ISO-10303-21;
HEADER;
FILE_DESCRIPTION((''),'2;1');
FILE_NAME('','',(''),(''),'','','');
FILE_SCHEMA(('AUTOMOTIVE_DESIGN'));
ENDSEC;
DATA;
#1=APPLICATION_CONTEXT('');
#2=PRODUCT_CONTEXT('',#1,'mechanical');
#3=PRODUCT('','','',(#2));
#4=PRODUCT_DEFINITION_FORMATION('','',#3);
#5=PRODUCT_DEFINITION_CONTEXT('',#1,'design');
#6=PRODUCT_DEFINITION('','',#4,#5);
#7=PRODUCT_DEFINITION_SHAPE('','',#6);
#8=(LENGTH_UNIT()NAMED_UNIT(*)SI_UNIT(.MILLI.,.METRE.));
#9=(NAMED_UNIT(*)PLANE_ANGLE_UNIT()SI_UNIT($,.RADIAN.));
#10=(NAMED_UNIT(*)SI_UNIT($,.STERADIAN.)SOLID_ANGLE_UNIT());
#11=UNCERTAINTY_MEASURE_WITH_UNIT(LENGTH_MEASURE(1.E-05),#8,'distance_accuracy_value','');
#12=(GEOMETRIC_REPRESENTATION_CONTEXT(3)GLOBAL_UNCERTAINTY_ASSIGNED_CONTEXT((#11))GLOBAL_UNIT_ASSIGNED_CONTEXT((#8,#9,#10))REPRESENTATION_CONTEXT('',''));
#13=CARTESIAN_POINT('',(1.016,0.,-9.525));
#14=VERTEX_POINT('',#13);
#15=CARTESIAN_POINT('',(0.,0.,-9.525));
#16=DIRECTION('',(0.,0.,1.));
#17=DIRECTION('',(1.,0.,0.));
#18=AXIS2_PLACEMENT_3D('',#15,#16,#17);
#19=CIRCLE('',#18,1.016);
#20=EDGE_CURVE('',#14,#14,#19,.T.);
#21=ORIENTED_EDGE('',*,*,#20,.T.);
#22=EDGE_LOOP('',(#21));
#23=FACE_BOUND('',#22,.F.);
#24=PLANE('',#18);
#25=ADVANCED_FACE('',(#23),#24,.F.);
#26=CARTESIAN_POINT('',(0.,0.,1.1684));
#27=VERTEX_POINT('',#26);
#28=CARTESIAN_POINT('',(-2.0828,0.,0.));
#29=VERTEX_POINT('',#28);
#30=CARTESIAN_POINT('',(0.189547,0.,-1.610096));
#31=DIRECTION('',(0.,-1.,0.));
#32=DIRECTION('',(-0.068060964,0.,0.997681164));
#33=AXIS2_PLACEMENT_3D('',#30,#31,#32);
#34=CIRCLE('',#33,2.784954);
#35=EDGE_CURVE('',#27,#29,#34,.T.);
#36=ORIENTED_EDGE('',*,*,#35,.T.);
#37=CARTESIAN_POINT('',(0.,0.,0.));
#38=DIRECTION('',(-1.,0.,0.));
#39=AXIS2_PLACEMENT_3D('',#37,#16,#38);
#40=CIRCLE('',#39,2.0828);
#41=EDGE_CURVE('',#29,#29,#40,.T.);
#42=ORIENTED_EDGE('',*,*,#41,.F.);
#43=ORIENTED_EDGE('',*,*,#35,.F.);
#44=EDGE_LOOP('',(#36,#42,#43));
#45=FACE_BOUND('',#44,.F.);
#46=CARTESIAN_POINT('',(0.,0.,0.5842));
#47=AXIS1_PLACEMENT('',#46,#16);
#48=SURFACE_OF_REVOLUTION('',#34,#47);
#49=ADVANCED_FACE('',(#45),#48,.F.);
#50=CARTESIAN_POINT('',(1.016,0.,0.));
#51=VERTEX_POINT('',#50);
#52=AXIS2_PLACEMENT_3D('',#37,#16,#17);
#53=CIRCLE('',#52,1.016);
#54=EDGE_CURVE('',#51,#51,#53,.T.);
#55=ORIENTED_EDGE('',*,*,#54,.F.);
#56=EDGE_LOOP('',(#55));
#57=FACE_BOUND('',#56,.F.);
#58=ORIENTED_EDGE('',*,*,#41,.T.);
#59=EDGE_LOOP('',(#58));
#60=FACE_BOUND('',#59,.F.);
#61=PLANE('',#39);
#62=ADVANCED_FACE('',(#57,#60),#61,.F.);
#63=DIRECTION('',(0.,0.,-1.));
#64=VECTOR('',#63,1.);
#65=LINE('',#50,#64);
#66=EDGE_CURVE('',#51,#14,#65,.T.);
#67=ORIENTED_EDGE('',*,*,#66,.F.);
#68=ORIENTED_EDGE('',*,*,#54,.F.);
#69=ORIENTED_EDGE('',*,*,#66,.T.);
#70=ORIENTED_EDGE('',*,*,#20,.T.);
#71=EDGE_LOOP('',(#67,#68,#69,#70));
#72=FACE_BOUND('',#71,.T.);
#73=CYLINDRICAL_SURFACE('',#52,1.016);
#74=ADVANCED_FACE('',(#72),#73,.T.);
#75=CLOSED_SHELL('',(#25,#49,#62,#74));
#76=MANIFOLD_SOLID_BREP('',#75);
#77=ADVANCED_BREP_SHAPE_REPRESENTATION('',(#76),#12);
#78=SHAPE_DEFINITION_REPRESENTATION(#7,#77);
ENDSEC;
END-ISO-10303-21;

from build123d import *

# Parameters (mm, degrees)
F0_R     = 1.016
F1_DEPTH = 9.525


with BuildPart() as f1:
    # F0 (on Top) → F1 (new body)
    with BuildSketch(Plane.XY):
        Circle(F0_R)
    extrude(amount=-F1_DEPTH)

    # F2 (on Front) → F3 (revolve)
    with BuildSketch(Plane.XZ):
        with BuildLine():
            Line((-2.0828, 0), (0, 0))
            Line((0, 0), (0, 1.1684))
            ThreePointArc((0, 1.1684), (-1.172995, 0.818782), (-2.0828, 0))
        make_face()
    revolve(axis=Axis((0, 0, 0.5842), (0, 0, 1)))


solid = f1.part
